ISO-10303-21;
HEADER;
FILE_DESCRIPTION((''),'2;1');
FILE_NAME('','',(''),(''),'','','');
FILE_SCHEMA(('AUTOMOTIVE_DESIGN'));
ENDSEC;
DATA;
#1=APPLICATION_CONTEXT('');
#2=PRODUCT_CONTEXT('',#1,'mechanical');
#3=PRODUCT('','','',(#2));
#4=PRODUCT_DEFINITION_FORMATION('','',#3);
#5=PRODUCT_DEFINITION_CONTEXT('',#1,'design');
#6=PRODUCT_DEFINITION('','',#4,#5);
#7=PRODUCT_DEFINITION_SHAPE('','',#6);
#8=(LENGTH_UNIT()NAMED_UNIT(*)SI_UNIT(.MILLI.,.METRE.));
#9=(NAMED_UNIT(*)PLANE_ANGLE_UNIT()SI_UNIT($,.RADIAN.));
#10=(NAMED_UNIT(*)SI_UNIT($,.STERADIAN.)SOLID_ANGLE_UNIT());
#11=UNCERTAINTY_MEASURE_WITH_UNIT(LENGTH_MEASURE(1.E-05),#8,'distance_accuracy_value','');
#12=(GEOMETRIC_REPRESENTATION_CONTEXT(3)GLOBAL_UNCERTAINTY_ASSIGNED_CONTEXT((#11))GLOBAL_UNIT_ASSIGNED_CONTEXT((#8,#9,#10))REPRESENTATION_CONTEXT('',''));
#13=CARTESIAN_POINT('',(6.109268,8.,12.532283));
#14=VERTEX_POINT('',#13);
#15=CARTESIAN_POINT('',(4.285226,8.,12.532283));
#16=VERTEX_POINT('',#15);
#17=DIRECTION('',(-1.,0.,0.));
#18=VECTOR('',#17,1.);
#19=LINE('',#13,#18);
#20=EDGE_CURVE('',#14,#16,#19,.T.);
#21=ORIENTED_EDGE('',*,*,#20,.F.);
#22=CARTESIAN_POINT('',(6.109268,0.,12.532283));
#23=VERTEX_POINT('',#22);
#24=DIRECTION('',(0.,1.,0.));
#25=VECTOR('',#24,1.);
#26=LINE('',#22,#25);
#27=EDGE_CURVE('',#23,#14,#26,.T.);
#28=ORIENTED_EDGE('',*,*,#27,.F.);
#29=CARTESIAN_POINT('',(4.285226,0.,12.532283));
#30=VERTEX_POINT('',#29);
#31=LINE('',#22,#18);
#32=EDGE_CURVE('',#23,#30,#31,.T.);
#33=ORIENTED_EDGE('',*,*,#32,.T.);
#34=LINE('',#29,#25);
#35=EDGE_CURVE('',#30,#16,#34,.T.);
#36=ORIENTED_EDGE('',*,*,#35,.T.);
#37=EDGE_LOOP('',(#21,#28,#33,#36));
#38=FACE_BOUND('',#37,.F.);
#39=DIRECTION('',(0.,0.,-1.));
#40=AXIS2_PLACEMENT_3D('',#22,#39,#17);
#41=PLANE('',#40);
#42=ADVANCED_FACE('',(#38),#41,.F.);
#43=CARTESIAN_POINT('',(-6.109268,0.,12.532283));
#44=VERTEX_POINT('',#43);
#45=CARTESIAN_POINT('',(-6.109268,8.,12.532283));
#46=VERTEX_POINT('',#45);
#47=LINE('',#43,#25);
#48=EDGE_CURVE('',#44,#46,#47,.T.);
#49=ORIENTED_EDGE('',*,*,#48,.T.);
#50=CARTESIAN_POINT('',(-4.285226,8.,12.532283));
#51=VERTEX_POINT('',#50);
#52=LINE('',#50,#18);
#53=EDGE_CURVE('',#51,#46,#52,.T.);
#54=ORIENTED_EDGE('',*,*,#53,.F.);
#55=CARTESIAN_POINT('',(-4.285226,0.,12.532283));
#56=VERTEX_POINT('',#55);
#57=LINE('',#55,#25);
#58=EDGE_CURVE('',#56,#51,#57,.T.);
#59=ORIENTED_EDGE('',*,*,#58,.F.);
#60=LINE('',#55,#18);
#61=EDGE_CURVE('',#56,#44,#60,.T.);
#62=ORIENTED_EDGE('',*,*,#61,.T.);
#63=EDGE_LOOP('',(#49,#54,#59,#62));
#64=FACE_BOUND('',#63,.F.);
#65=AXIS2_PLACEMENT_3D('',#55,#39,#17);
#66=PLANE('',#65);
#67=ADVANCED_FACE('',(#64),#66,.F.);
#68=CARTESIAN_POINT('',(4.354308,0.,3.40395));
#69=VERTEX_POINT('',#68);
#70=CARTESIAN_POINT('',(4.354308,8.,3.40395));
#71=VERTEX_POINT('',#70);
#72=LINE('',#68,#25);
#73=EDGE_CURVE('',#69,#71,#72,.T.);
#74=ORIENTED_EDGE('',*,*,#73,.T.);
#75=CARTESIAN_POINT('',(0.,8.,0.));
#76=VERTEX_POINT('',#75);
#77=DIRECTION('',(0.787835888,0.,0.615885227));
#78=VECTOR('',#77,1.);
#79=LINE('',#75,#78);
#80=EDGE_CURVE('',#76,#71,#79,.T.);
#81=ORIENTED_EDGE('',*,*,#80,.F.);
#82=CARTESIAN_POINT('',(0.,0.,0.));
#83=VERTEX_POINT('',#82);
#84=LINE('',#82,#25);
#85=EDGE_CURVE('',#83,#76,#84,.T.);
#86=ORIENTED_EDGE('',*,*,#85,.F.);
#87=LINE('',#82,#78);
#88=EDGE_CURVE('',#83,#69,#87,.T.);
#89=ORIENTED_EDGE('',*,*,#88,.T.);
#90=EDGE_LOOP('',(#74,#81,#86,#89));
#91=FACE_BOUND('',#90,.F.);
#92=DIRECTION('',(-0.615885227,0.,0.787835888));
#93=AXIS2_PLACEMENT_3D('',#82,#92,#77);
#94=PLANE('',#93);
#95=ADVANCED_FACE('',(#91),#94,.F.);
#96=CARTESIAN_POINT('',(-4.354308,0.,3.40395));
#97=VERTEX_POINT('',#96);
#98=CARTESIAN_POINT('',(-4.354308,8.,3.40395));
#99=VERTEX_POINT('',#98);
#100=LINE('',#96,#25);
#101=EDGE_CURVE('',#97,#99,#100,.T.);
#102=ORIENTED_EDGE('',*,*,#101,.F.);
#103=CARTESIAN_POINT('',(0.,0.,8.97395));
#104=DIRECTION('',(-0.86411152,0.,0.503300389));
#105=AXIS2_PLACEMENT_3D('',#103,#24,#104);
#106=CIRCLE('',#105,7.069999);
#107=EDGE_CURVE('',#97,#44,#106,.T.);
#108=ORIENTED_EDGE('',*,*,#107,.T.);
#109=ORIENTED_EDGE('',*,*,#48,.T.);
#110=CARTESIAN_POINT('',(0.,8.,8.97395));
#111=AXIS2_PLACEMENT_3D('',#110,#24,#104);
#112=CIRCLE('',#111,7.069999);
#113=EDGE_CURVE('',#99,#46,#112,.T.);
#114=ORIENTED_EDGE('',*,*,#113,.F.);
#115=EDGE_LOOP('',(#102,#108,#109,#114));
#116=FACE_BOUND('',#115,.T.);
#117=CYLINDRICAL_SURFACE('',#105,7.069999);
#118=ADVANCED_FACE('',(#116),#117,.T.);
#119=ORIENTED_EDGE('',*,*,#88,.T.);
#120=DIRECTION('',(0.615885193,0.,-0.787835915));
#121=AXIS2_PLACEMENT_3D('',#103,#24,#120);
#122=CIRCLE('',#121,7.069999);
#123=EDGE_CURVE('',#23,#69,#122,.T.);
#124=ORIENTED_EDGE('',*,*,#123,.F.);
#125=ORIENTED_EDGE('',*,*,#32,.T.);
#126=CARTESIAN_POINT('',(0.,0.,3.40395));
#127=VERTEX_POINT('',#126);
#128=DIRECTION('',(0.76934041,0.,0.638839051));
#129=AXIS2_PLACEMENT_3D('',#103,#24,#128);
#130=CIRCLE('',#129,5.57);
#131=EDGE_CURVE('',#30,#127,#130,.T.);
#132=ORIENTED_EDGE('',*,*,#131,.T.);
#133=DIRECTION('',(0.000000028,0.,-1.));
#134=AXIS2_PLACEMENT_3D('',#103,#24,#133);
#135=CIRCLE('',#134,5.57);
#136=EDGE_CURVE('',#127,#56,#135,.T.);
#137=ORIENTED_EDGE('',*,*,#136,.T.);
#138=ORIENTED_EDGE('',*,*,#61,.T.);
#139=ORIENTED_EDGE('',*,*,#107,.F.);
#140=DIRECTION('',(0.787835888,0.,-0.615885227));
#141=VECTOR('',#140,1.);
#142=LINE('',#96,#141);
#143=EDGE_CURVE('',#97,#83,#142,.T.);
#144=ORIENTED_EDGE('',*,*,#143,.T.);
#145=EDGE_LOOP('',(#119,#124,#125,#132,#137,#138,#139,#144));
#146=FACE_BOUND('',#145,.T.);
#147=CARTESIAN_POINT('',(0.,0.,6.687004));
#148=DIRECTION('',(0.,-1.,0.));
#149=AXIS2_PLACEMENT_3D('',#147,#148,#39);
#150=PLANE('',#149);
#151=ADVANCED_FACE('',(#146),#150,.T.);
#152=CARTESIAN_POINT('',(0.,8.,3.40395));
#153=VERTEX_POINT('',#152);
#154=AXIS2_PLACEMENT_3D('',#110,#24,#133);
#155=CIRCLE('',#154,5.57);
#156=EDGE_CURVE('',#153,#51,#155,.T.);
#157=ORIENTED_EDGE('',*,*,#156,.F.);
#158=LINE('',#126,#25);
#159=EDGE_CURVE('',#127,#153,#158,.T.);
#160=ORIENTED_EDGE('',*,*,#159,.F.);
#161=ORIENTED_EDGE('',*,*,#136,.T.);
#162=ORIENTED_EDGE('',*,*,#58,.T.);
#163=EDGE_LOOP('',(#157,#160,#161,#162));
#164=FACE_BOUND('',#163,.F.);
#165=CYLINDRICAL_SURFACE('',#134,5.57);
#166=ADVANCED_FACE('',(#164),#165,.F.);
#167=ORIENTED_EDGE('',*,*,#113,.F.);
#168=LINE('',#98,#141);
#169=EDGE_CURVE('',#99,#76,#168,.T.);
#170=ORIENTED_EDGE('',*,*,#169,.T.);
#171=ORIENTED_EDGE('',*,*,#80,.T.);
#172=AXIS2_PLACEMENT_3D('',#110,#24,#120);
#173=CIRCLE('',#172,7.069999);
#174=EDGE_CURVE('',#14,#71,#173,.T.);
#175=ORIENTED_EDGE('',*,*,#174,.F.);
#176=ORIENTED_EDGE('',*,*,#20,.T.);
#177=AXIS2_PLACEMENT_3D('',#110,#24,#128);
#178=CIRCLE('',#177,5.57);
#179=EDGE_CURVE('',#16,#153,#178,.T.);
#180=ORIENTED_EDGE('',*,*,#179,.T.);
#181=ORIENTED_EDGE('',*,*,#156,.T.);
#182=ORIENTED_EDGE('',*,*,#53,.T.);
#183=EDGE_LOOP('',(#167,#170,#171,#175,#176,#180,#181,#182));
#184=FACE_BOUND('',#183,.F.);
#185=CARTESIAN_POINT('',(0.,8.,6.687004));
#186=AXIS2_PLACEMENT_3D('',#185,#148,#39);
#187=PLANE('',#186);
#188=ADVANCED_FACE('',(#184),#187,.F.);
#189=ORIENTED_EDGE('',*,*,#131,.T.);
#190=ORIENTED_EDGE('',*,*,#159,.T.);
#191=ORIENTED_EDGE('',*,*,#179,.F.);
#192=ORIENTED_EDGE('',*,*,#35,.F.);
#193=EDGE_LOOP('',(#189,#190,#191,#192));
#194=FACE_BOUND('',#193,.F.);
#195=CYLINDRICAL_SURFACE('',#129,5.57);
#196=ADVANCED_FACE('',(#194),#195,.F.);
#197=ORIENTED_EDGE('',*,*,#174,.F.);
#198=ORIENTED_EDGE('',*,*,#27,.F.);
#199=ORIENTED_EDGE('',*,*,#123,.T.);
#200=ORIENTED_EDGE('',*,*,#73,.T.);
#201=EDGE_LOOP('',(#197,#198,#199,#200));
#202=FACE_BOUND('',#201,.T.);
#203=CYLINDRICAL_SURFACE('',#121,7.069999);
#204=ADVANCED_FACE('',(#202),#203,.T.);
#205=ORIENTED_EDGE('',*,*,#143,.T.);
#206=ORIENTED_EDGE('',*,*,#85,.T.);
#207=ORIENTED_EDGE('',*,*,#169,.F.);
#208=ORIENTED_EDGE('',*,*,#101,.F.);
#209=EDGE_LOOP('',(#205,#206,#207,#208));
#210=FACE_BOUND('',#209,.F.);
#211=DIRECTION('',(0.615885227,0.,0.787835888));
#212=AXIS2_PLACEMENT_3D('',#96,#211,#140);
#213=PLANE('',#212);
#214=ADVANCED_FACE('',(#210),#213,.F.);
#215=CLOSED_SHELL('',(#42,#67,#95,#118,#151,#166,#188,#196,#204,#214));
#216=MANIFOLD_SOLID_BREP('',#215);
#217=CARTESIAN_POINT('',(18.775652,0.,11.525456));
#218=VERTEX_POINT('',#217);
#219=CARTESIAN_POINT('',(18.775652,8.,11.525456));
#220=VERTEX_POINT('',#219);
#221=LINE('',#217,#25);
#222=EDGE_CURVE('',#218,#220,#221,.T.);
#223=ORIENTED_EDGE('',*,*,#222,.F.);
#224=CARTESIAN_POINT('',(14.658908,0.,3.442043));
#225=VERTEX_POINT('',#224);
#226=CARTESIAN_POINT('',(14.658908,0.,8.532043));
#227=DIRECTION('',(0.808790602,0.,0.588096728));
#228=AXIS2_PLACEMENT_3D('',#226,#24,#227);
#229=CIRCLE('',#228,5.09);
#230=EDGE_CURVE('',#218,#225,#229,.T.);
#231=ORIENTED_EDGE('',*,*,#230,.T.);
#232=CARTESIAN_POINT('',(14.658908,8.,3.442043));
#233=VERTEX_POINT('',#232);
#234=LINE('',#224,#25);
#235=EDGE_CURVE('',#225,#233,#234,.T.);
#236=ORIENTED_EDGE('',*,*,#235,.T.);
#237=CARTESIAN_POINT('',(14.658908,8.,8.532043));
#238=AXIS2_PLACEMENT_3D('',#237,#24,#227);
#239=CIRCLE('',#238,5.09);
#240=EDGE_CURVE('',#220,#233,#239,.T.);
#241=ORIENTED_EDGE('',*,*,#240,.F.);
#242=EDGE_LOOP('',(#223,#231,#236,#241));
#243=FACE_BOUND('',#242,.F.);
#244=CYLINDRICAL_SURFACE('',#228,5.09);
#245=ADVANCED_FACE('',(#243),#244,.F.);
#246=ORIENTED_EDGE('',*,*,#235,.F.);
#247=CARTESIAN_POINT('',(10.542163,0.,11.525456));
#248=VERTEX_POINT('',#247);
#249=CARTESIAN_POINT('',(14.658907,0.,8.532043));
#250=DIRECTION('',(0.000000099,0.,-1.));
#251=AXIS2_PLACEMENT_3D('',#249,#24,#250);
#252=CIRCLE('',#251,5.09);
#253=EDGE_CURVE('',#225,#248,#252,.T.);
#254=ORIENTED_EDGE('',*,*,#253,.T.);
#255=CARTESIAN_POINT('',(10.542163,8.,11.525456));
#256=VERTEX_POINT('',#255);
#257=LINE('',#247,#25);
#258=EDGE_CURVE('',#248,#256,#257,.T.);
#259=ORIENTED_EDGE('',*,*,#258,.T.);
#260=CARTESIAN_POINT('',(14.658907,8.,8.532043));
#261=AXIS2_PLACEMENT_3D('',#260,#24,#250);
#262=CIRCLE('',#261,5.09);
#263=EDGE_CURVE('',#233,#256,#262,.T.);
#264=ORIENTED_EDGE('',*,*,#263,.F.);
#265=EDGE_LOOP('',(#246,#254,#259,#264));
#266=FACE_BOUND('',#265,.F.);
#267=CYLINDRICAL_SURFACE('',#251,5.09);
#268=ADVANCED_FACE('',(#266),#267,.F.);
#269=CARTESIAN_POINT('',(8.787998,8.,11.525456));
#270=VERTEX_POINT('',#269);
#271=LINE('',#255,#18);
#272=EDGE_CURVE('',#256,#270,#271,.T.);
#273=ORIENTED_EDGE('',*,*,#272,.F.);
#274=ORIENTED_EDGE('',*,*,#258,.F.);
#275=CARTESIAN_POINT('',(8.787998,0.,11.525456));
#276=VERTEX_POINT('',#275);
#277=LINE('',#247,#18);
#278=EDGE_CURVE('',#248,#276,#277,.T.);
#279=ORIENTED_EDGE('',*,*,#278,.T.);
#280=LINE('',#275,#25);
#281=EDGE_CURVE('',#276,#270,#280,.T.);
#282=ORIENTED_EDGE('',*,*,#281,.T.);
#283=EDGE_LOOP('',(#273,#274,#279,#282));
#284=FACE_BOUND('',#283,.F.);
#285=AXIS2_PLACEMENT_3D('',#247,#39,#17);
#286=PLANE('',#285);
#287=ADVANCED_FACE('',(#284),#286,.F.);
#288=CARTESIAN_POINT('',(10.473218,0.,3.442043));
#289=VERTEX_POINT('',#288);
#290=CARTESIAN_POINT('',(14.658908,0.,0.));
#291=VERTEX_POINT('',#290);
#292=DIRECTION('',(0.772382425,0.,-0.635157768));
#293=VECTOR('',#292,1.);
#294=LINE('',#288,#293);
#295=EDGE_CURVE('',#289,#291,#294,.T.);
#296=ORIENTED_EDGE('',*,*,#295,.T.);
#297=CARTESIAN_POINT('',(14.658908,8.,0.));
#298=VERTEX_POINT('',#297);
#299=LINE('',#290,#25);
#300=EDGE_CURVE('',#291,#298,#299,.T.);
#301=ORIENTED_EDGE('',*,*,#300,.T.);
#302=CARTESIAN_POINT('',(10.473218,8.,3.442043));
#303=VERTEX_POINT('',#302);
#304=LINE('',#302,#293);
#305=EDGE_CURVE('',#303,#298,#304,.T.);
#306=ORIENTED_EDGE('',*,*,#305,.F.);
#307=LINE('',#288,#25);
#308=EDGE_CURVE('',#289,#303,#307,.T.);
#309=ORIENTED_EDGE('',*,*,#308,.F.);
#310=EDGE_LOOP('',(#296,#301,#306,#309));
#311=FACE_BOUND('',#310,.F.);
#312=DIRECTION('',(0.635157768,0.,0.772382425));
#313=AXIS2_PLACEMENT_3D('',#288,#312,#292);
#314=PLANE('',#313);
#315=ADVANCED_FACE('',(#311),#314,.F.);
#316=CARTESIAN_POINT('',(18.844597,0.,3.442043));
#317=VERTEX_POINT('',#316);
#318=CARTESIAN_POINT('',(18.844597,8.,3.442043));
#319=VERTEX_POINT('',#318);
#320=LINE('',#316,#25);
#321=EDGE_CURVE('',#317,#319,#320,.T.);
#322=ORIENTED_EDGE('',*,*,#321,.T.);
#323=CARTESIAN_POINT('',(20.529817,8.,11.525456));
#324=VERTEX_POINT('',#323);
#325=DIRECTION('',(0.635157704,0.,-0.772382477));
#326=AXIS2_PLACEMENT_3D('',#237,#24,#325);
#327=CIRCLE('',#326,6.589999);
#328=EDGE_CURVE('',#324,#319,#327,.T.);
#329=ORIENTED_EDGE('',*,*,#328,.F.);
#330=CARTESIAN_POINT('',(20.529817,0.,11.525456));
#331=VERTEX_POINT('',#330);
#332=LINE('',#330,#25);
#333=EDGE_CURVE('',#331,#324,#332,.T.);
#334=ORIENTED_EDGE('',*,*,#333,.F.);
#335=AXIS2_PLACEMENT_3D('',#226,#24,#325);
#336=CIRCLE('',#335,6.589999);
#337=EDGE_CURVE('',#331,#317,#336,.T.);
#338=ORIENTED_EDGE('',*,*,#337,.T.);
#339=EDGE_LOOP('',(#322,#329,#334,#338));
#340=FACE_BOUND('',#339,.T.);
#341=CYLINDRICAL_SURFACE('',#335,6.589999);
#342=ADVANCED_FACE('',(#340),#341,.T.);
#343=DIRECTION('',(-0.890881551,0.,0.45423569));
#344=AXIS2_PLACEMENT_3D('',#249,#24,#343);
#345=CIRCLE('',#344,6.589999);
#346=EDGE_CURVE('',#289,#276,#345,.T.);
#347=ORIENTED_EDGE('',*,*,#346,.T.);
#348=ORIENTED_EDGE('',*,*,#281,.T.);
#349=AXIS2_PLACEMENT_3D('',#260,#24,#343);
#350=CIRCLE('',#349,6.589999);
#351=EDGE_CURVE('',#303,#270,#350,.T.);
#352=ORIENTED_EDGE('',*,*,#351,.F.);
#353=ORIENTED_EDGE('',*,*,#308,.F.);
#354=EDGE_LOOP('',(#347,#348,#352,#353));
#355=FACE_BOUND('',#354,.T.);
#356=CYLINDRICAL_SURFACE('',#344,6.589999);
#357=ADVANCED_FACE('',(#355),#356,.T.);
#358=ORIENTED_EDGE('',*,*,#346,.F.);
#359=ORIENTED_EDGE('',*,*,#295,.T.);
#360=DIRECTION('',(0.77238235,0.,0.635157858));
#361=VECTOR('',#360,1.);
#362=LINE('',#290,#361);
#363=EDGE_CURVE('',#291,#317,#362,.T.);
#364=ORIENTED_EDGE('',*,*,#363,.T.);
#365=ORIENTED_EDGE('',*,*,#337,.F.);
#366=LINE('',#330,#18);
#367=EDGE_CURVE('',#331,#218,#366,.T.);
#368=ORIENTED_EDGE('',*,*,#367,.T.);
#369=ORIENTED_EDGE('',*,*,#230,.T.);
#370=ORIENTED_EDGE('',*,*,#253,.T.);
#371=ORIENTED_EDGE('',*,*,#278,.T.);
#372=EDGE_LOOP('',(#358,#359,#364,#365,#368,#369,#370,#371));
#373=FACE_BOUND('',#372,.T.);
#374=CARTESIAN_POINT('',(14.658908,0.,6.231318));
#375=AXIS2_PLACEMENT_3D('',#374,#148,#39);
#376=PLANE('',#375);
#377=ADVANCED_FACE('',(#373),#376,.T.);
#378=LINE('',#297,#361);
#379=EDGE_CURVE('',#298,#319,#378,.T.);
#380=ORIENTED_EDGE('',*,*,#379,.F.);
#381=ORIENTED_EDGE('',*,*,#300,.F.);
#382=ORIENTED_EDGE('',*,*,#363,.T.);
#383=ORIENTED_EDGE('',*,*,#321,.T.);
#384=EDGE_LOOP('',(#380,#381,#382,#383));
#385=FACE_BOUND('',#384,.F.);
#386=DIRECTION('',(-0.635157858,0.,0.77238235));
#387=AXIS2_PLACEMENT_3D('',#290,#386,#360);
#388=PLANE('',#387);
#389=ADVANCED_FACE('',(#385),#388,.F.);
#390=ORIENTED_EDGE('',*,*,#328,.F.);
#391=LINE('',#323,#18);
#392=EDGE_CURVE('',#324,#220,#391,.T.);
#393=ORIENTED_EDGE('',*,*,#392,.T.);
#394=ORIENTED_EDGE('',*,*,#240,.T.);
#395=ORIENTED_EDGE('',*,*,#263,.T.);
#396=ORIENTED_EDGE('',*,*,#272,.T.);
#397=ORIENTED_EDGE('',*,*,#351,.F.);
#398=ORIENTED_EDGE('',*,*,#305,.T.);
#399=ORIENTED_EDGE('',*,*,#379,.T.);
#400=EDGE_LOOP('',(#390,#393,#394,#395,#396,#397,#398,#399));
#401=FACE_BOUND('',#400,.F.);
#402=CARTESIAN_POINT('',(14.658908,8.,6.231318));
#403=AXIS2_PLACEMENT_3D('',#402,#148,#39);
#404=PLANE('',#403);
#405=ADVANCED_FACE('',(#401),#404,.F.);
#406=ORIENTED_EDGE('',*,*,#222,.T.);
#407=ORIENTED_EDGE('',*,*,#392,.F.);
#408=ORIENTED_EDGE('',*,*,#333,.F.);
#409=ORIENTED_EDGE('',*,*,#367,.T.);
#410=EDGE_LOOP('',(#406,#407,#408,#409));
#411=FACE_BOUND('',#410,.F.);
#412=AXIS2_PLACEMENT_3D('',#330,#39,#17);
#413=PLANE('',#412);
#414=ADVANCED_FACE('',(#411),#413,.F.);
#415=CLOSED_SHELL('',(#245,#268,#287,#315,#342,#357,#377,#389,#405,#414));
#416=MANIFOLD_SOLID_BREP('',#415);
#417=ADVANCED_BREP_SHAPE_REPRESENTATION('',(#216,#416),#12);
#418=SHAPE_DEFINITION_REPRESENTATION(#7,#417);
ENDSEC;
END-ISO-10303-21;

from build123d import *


with BuildPart() as f3:
    # F3: sweep along a path in F2
    with BuildLine(Plane.XY) as f3_path:
        Line((0, 0), (0, 8))
    # F0 (on Front) → F3 (sweep)
    with BuildSketch(Plane.XZ):
        with BuildLine():
            Line((-4.285226, 12.532283), (-6.109268, 12.532283))
            ThreePointArc((-6.109268, 12.532283), (-6.942854, 7.639157), (-4.354308, 3.40395))
            Line((-4.354308, 3.40395), (0, 3.40395))
            ThreePointArc((0, 3.40395), (-5.042064, 6.606992), (-4.285226, 12.532283))
        make_face()
        with BuildLine():
            Line((0, 3.40395), (0, 1.90395))
            ThreePointArc((0, 1.90395), (2.302716, 2.28946), (4.354308, 3.40395))
            Line((4.354308, 3.40395), (0, 3.40395))
        make_face()
        with BuildLine():
            ThreePointArc((0, 1.90395), (-2.302716, 2.28946), (-4.354308, 3.40395))
            Line((-4.354308, 3.40395), (0, 0))
            Line((0, 0), (0, 1.90395))
        make_face()
        with BuildLine():
            ThreePointArc((4.354308, 3.40395), (2.302716, 2.28946), (0, 1.90395))
            Line((0, 1.90395), (0, 0))
            Line((0, 0), (4.354308, 3.40395))
        make_face()
        with BuildLine():
            Line((0, 3.40395), (-4.354308, 3.40395))
            ThreePointArc((-4.354308, 3.40395), (-2.302716, 2.28946), (0, 1.90395))
            Line((0, 1.90395), (0, 3.40395))
        make_face()
        with BuildLine():
            ThreePointArc((4.285226, 12.532283), (5.042064, 6.606992), (0, 3.40395))
            Line((0, 3.40395), (4.354308, 3.40395))
            ThreePointArc((4.354308, 3.40395), (6.942854, 7.639157), (6.109268, 12.532283))
            Line((6.109268, 12.532283), (4.285226, 12.532283))
        make_face()
    sweep(path=f3_path.line)


with BuildPart() as f4:
    # F4: sweep along a path in F2
    with BuildLine(Plane.XY) as f4_path:
        Line((14.658908, 0), (14.658908, 8))
    # F0 (on Front) → F4 (sweep)
    with BuildSketch(Plane.XZ):
        with BuildLine():
            Line((10.542163, 11.525456), (8.787998, 11.525456))
            ThreePointArc((8.787998, 11.525456), (8.207614, 7.187085), (10.473218, 3.442043))
            Line((10.473218, 3.442043), (14.658908, 3.442043))
            ThreePointArc((14.658908, 3.442043), (10.123239, 6.222105), (10.542163, 11.525456))
        make_face()
        with BuildLine():
            Line((14.658908, 3.442043), (14.658908, 1.942043))
            ThreePointArc((14.658908, 1.942043), (16.882081, 2.328367), (18.844597, 3.442043))
            Line((18.844597, 3.442043), (14.658908, 3.442043))
        make_face()
        with BuildLine():
            ThreePointArc((14.658908, 1.942043), (12.435734, 2.328367), (10.473218, 3.442043))
            Line((10.473218, 3.442043), (14.658908, 0))
            Line((14.658908, 0), (14.658908, 1.942043))
        make_face()
        with BuildLine():
            ThreePointArc((18.844597, 3.442043), (16.882081, 2.328367), (14.658908, 1.942043))
            Line((14.658908, 1.942043), (14.658908, 0))
            Line((14.658908, 0), (18.844597, 3.442043))
        make_face()
        with BuildLine():
            Line((14.658908, 3.442043), (10.473218, 3.442043))
            ThreePointArc((10.473218, 3.442043), (12.435734, 2.328367), (14.658908, 1.942043))
            Line((14.658908, 1.942043), (14.658908, 3.442043))
        make_face()
        with BuildLine():
            ThreePointArc((18.775652, 11.525456), (19.194576, 6.222105), (14.658908, 3.442043))
            Line((14.658908, 3.442043), (18.844597, 3.442043))
            ThreePointArc((18.844597, 3.442043), (21.110201, 7.187085), (20.529817, 11.525456))
            Line((20.529817, 11.525456), (18.775652, 11.525456))
        make_face()
    sweep(path=f4_path.line)


solid = Compound([f3.part, f4.part])
